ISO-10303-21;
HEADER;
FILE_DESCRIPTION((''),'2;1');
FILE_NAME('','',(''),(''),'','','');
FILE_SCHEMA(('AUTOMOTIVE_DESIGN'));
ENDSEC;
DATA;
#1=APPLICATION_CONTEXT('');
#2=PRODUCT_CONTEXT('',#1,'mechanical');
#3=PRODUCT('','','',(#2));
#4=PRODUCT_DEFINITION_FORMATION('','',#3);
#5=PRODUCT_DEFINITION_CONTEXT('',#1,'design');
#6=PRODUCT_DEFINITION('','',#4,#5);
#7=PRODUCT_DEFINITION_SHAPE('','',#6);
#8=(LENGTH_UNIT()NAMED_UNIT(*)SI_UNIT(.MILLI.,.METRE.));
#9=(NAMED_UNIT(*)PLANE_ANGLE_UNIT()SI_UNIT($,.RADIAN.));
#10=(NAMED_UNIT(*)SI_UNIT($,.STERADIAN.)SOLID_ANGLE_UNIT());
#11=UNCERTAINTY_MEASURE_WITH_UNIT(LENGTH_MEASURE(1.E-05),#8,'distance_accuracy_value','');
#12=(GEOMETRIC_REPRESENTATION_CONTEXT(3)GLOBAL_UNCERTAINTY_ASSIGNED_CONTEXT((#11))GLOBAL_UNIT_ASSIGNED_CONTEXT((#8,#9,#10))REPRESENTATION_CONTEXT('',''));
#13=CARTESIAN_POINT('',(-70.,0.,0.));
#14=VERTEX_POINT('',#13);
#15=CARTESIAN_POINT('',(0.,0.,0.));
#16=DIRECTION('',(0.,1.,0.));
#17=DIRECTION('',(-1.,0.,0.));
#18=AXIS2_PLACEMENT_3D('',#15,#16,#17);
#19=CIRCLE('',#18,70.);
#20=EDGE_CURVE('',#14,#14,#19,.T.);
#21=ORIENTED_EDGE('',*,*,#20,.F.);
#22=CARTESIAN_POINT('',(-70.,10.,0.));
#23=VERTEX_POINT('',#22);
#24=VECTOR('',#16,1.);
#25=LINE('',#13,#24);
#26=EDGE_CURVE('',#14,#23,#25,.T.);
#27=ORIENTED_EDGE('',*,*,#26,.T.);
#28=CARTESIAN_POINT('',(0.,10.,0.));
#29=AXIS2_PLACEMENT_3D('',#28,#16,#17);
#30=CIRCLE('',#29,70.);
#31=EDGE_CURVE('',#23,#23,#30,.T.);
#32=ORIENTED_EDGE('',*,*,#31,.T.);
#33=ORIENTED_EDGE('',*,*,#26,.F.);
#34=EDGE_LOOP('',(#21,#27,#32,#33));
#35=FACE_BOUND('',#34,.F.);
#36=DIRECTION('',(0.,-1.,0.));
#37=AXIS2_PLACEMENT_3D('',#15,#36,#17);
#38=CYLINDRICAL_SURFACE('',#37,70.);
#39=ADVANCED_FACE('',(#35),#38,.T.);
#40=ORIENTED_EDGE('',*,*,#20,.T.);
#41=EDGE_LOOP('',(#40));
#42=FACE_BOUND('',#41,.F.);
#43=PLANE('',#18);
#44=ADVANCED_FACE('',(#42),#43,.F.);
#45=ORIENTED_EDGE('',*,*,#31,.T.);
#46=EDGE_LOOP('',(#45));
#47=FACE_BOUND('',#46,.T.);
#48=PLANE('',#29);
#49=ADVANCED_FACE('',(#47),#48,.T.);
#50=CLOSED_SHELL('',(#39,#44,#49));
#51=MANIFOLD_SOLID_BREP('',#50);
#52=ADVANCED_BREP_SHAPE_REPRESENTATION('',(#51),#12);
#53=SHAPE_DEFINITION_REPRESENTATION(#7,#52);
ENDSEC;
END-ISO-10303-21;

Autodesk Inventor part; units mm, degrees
ref_plane "YZ Plane" through (0, 0, 0) normal (1, 0, 0) x (0, 1, 0)
ref_plane "XZ Plane" through (0, 0, 0) normal (0, 1, 0) x (-1, 0, 0)
ref_plane "XY Plane" through (0, 0, 0) normal (0, 0, 1) x (1, 0, 0)
sketch "スケッチ1" plane through (0, 0, 0) normal (0, 1, 0) x (-1, 0, 0)
  circle A0 centre (0, 0) radius 70
  dimension "d0" = 140
extrude "押し出し1" add sketch "スケッチ1" along normal blind 10
properties part number "phi140x10mm"
